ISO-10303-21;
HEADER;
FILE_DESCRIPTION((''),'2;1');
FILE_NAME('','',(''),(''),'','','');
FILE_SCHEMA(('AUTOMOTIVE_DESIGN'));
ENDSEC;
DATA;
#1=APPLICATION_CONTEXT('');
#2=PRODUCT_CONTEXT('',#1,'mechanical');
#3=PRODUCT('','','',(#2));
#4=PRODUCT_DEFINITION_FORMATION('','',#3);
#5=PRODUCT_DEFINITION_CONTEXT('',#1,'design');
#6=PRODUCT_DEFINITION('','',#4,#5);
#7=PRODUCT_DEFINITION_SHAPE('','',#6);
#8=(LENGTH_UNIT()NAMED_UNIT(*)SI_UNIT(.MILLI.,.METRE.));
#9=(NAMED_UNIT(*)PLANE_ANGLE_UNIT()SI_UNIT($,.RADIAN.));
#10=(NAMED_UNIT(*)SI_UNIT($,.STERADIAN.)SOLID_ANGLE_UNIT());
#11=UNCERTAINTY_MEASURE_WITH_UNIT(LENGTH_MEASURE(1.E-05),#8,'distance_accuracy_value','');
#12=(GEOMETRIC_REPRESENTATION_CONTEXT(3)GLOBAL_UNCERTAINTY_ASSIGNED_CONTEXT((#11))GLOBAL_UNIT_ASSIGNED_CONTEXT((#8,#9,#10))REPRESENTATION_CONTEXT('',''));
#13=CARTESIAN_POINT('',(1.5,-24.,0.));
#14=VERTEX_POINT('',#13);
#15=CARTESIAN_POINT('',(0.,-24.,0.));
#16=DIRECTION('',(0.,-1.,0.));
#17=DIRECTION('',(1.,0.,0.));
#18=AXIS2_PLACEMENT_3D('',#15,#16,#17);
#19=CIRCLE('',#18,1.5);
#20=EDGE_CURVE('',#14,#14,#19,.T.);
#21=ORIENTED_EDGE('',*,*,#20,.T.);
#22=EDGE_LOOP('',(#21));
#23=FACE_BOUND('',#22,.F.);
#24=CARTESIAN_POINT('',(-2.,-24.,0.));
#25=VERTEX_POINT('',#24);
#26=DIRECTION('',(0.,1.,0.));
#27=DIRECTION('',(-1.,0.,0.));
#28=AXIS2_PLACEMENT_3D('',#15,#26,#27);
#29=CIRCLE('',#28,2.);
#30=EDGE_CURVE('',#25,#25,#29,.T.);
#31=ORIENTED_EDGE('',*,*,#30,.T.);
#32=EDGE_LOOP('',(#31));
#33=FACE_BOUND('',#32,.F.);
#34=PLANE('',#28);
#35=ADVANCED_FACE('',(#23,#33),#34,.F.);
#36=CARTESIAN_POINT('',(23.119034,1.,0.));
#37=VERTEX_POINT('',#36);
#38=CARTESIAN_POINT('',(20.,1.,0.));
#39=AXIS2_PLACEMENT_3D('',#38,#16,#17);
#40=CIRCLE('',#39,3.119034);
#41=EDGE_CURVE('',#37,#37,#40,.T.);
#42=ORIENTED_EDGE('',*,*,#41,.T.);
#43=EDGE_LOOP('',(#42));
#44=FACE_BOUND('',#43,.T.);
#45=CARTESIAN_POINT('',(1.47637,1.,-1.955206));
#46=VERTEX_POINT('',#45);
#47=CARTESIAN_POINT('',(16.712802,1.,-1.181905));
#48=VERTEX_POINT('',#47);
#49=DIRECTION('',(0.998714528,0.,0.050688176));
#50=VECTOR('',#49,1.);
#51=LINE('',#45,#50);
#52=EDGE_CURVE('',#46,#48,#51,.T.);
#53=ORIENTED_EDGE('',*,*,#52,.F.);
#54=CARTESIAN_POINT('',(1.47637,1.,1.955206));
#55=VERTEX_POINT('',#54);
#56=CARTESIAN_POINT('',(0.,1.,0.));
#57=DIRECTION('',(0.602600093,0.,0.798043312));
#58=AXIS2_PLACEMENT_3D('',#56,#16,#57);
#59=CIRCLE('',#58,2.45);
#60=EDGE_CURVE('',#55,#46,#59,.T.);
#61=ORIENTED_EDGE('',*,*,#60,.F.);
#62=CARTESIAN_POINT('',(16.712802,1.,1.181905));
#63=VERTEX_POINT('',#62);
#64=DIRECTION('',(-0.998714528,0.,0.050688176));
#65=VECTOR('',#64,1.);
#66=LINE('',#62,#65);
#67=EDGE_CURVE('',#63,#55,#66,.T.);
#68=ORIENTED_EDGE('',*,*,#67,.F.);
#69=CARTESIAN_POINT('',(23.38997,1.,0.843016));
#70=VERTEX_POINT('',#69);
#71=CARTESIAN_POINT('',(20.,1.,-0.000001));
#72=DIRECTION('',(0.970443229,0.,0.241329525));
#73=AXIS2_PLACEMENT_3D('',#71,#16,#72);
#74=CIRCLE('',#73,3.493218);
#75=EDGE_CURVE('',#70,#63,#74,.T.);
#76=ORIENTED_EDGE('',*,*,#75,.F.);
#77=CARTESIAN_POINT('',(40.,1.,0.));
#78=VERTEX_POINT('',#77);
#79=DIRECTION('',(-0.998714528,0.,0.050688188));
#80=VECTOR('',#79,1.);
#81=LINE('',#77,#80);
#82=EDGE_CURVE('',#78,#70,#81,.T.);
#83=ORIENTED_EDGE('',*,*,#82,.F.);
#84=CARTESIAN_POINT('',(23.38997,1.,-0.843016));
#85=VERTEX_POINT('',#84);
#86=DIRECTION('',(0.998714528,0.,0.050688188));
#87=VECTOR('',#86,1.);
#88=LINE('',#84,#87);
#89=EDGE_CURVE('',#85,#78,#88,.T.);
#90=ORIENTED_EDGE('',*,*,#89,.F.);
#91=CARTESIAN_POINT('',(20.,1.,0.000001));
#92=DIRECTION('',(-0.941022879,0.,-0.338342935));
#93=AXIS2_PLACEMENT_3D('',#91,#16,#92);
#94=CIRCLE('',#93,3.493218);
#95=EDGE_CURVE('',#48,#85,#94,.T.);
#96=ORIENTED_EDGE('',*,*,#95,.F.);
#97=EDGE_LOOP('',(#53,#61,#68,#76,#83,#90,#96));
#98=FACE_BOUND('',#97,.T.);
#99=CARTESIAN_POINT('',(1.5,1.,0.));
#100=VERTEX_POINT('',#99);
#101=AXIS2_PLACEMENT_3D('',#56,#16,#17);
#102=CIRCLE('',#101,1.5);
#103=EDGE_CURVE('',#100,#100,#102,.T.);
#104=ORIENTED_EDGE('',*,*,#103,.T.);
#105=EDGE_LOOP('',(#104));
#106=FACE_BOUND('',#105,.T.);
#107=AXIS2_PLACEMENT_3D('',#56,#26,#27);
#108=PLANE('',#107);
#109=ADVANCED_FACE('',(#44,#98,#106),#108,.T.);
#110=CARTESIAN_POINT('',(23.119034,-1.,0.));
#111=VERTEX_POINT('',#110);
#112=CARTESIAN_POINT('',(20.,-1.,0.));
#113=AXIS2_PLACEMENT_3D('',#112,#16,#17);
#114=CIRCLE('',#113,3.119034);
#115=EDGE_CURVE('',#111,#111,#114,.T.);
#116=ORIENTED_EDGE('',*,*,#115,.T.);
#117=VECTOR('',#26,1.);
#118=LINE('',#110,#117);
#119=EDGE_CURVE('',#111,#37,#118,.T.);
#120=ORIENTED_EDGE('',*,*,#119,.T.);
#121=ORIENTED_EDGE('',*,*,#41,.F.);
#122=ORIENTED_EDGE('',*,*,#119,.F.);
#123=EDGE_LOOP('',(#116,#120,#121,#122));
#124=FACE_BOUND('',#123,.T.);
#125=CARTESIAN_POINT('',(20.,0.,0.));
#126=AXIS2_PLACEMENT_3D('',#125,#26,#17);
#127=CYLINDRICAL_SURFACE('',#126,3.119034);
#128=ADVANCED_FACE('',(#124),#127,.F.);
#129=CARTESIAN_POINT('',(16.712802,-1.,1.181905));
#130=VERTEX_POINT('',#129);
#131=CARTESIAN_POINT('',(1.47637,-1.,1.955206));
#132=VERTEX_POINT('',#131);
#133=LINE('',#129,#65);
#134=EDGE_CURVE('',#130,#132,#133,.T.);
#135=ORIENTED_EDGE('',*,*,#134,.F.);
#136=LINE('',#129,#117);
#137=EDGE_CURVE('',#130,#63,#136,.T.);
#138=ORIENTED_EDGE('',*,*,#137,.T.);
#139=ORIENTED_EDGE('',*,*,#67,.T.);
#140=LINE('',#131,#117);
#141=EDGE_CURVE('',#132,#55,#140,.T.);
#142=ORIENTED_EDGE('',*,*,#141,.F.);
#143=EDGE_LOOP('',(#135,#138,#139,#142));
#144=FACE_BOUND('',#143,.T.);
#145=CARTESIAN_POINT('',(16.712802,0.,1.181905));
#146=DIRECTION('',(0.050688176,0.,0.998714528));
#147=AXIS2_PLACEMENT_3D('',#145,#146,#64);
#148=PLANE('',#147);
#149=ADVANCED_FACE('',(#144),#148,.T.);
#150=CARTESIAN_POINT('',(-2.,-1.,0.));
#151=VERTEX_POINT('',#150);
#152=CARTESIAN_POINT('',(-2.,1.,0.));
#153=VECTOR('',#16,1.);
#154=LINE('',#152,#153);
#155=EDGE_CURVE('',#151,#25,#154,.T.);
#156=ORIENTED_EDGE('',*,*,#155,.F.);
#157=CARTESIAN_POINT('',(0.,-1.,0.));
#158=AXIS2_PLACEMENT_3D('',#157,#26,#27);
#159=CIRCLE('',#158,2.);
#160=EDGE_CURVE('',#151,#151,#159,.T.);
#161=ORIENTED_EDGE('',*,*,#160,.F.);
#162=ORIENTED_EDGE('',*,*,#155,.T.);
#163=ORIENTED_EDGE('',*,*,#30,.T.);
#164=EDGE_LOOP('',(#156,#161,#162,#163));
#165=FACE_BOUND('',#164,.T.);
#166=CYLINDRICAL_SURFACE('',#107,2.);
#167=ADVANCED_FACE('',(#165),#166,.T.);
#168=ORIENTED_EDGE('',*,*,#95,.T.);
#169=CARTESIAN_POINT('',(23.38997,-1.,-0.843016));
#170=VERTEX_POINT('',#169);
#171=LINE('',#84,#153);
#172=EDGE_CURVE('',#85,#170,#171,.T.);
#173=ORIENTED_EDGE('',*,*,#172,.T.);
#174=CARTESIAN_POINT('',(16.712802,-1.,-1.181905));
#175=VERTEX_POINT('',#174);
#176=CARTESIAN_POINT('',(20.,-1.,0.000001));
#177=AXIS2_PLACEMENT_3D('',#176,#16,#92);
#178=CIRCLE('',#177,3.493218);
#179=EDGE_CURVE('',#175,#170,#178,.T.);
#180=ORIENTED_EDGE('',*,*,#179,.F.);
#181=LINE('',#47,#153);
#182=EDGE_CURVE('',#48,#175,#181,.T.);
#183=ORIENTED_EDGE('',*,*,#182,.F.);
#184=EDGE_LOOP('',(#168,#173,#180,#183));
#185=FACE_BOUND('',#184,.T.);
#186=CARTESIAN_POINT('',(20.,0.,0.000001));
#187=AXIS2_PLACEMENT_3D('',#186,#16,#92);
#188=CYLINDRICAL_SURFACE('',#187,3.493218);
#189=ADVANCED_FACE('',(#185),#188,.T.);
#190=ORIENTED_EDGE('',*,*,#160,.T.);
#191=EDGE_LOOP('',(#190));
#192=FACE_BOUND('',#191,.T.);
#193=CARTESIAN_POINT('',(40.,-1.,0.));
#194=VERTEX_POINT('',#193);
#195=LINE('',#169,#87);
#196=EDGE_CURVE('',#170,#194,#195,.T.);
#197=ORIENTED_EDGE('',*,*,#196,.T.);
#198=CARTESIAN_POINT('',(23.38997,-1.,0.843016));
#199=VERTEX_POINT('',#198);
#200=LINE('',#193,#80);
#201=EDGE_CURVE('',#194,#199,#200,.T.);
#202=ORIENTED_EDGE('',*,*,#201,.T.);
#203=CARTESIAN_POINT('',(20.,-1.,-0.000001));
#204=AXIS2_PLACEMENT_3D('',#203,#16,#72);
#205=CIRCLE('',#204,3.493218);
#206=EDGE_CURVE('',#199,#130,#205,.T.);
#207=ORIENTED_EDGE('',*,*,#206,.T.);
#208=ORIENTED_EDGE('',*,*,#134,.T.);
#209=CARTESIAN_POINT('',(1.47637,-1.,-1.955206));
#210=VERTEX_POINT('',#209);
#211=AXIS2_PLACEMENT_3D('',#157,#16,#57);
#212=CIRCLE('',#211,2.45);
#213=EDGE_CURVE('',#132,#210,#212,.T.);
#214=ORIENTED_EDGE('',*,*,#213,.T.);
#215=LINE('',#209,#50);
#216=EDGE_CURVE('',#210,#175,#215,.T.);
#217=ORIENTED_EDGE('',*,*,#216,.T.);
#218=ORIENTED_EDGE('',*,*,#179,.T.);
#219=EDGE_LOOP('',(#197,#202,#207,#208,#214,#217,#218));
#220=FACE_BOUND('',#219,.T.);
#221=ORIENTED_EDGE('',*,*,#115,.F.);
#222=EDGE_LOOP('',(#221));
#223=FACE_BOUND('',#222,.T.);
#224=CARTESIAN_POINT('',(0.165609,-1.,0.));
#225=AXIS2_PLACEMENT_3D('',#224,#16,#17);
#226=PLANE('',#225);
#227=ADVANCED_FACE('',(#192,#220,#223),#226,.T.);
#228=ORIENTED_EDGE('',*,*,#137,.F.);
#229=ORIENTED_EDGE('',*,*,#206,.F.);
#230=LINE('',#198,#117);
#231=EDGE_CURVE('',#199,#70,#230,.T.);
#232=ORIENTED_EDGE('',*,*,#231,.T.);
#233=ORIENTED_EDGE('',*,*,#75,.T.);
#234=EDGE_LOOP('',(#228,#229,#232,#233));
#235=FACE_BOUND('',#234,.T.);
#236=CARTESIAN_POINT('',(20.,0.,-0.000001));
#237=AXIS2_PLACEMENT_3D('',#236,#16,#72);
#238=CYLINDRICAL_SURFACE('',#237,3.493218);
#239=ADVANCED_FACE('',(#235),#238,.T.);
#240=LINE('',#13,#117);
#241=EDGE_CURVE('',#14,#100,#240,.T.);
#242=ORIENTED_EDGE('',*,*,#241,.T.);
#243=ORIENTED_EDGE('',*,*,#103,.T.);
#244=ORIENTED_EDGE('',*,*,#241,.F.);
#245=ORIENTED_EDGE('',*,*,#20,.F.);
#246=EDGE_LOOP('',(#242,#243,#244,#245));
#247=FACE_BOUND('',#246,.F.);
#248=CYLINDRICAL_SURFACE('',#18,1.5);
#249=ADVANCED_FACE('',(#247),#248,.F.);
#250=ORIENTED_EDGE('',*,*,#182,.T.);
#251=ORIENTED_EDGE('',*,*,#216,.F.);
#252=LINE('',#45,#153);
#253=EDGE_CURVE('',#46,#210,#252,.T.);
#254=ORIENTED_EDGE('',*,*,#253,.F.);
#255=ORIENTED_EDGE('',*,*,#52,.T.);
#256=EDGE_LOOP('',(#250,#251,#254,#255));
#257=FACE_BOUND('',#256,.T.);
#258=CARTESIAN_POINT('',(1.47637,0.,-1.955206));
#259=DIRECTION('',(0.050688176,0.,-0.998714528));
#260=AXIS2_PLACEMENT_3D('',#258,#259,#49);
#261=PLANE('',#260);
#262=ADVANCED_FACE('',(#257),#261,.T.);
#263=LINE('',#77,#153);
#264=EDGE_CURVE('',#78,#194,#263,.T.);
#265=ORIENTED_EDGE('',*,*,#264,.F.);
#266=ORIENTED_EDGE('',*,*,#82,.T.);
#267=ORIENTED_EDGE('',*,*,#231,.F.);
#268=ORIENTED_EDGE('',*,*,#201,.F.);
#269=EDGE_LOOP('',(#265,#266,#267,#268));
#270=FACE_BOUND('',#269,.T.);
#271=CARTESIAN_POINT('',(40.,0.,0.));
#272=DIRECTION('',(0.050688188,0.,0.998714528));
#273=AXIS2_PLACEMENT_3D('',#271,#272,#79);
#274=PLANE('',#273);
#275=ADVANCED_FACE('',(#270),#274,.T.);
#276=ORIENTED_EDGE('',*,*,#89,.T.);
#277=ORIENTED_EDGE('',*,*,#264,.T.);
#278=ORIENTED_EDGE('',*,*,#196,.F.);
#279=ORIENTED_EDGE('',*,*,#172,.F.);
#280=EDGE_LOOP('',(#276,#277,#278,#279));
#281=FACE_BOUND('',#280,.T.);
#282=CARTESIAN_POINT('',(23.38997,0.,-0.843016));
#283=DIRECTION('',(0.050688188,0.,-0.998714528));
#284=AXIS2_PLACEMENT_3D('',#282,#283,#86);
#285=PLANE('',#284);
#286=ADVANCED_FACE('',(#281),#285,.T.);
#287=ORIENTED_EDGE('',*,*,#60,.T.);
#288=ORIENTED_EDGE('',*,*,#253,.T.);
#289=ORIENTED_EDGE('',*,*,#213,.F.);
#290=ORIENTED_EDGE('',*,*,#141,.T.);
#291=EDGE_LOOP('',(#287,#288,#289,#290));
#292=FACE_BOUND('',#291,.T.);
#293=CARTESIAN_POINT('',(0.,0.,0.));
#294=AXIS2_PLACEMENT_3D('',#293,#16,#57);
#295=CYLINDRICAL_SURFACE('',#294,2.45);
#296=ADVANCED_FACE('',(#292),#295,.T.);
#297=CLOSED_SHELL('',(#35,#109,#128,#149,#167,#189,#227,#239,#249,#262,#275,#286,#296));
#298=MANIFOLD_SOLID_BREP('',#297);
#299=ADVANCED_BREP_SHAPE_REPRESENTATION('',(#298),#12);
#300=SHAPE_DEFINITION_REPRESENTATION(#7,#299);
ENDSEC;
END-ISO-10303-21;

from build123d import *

# Parameters (mm, degrees)
F0_R     = 3.119034
F1_DEPTH = 1
F2_R     = 2
F3_DEPTH = 25
F4_R     = 1.5
F5_DEPTH = 25


with BuildPart() as f1:
    # F0 (on Front) → F1 (new body, symmetric)
    with BuildSketch(Plane.XZ):
        with BuildLine():
            ThreePointArc((1.47637, -1.955206), (2.193126, -1.092106), (2.45, 0))
            ThreePointArc((2.45, 0), (2.193126, 1.092106), (1.47637, 1.955206))
            ThreePointArc((1.47637, 1.955206), (-2.45, 0), (1.47637, -1.955206))
        make_face()
        with BuildLine():
            ThreePointArc((1.47637, 1.955206), (2.193126, 1.092106), (2.45, 0))
            ThreePointArc((2.45, 0), (2.193126, -1.092106), (1.47637, -1.955206))
            Line((1.47637, -1.955206), (16.712802, -1.181905))
            ThreePointArc((16.712802, -1.181905), (16.506782, 0), (16.712802, 1.181905))
            Line((16.712802, 1.181905), (1.47637, 1.955206))
        make_face()
        with BuildLine():
            ThreePointArc((23.38997, 0.843016), (20.177065, 3.488727), (16.712802, 1.181905))
            ThreePointArc((16.712802, 1.181905), (16.506782, 0), (16.712802, -1.181905))
            ThreePointArc((16.712802, -1.181905), (20.177065, -3.488727), (23.38997, -0.843016))
            ThreePointArc((23.38997, -0.843016), (23.46731, -0.424657), (23.493218, 0))
            ThreePointArc((23.493218, 0), (23.46731, 0.424657), (23.38997, 0.843016))
        make_face()
        with Locations((20, 0)):
            Circle(F0_R, mode=Mode.SUBTRACT)
        with BuildLine():
            Line((40, 0), (23.38997, 0.843016))
            ThreePointArc((23.38997, 0.843016), (23.46731, 0.424657), (23.493218, 0))
            ThreePointArc((23.493218, 0), (23.46731, -0.424657), (23.38997, -0.843016))
            Line((23.38997, -0.843016), (40, 0))
        make_face()
    extrude(amount=F1_DEPTH, both=True)

    # F2 (on face) → F3 (join)
    with BuildSketch(Plane(origin=(0, 1, 0), x_dir=(-1, 0, 0), z_dir=(0, 1, 0))):
        Circle(F2_R)
    extrude(amount=-F3_DEPTH)

    # F4 (on face) → F5 (cut)
    with BuildSketch(Plane.XZ.offset(24)):
        Circle(F4_R)
    extrude(amount=-F5_DEPTH, mode=Mode.SUBTRACT)


solid = f1.part
